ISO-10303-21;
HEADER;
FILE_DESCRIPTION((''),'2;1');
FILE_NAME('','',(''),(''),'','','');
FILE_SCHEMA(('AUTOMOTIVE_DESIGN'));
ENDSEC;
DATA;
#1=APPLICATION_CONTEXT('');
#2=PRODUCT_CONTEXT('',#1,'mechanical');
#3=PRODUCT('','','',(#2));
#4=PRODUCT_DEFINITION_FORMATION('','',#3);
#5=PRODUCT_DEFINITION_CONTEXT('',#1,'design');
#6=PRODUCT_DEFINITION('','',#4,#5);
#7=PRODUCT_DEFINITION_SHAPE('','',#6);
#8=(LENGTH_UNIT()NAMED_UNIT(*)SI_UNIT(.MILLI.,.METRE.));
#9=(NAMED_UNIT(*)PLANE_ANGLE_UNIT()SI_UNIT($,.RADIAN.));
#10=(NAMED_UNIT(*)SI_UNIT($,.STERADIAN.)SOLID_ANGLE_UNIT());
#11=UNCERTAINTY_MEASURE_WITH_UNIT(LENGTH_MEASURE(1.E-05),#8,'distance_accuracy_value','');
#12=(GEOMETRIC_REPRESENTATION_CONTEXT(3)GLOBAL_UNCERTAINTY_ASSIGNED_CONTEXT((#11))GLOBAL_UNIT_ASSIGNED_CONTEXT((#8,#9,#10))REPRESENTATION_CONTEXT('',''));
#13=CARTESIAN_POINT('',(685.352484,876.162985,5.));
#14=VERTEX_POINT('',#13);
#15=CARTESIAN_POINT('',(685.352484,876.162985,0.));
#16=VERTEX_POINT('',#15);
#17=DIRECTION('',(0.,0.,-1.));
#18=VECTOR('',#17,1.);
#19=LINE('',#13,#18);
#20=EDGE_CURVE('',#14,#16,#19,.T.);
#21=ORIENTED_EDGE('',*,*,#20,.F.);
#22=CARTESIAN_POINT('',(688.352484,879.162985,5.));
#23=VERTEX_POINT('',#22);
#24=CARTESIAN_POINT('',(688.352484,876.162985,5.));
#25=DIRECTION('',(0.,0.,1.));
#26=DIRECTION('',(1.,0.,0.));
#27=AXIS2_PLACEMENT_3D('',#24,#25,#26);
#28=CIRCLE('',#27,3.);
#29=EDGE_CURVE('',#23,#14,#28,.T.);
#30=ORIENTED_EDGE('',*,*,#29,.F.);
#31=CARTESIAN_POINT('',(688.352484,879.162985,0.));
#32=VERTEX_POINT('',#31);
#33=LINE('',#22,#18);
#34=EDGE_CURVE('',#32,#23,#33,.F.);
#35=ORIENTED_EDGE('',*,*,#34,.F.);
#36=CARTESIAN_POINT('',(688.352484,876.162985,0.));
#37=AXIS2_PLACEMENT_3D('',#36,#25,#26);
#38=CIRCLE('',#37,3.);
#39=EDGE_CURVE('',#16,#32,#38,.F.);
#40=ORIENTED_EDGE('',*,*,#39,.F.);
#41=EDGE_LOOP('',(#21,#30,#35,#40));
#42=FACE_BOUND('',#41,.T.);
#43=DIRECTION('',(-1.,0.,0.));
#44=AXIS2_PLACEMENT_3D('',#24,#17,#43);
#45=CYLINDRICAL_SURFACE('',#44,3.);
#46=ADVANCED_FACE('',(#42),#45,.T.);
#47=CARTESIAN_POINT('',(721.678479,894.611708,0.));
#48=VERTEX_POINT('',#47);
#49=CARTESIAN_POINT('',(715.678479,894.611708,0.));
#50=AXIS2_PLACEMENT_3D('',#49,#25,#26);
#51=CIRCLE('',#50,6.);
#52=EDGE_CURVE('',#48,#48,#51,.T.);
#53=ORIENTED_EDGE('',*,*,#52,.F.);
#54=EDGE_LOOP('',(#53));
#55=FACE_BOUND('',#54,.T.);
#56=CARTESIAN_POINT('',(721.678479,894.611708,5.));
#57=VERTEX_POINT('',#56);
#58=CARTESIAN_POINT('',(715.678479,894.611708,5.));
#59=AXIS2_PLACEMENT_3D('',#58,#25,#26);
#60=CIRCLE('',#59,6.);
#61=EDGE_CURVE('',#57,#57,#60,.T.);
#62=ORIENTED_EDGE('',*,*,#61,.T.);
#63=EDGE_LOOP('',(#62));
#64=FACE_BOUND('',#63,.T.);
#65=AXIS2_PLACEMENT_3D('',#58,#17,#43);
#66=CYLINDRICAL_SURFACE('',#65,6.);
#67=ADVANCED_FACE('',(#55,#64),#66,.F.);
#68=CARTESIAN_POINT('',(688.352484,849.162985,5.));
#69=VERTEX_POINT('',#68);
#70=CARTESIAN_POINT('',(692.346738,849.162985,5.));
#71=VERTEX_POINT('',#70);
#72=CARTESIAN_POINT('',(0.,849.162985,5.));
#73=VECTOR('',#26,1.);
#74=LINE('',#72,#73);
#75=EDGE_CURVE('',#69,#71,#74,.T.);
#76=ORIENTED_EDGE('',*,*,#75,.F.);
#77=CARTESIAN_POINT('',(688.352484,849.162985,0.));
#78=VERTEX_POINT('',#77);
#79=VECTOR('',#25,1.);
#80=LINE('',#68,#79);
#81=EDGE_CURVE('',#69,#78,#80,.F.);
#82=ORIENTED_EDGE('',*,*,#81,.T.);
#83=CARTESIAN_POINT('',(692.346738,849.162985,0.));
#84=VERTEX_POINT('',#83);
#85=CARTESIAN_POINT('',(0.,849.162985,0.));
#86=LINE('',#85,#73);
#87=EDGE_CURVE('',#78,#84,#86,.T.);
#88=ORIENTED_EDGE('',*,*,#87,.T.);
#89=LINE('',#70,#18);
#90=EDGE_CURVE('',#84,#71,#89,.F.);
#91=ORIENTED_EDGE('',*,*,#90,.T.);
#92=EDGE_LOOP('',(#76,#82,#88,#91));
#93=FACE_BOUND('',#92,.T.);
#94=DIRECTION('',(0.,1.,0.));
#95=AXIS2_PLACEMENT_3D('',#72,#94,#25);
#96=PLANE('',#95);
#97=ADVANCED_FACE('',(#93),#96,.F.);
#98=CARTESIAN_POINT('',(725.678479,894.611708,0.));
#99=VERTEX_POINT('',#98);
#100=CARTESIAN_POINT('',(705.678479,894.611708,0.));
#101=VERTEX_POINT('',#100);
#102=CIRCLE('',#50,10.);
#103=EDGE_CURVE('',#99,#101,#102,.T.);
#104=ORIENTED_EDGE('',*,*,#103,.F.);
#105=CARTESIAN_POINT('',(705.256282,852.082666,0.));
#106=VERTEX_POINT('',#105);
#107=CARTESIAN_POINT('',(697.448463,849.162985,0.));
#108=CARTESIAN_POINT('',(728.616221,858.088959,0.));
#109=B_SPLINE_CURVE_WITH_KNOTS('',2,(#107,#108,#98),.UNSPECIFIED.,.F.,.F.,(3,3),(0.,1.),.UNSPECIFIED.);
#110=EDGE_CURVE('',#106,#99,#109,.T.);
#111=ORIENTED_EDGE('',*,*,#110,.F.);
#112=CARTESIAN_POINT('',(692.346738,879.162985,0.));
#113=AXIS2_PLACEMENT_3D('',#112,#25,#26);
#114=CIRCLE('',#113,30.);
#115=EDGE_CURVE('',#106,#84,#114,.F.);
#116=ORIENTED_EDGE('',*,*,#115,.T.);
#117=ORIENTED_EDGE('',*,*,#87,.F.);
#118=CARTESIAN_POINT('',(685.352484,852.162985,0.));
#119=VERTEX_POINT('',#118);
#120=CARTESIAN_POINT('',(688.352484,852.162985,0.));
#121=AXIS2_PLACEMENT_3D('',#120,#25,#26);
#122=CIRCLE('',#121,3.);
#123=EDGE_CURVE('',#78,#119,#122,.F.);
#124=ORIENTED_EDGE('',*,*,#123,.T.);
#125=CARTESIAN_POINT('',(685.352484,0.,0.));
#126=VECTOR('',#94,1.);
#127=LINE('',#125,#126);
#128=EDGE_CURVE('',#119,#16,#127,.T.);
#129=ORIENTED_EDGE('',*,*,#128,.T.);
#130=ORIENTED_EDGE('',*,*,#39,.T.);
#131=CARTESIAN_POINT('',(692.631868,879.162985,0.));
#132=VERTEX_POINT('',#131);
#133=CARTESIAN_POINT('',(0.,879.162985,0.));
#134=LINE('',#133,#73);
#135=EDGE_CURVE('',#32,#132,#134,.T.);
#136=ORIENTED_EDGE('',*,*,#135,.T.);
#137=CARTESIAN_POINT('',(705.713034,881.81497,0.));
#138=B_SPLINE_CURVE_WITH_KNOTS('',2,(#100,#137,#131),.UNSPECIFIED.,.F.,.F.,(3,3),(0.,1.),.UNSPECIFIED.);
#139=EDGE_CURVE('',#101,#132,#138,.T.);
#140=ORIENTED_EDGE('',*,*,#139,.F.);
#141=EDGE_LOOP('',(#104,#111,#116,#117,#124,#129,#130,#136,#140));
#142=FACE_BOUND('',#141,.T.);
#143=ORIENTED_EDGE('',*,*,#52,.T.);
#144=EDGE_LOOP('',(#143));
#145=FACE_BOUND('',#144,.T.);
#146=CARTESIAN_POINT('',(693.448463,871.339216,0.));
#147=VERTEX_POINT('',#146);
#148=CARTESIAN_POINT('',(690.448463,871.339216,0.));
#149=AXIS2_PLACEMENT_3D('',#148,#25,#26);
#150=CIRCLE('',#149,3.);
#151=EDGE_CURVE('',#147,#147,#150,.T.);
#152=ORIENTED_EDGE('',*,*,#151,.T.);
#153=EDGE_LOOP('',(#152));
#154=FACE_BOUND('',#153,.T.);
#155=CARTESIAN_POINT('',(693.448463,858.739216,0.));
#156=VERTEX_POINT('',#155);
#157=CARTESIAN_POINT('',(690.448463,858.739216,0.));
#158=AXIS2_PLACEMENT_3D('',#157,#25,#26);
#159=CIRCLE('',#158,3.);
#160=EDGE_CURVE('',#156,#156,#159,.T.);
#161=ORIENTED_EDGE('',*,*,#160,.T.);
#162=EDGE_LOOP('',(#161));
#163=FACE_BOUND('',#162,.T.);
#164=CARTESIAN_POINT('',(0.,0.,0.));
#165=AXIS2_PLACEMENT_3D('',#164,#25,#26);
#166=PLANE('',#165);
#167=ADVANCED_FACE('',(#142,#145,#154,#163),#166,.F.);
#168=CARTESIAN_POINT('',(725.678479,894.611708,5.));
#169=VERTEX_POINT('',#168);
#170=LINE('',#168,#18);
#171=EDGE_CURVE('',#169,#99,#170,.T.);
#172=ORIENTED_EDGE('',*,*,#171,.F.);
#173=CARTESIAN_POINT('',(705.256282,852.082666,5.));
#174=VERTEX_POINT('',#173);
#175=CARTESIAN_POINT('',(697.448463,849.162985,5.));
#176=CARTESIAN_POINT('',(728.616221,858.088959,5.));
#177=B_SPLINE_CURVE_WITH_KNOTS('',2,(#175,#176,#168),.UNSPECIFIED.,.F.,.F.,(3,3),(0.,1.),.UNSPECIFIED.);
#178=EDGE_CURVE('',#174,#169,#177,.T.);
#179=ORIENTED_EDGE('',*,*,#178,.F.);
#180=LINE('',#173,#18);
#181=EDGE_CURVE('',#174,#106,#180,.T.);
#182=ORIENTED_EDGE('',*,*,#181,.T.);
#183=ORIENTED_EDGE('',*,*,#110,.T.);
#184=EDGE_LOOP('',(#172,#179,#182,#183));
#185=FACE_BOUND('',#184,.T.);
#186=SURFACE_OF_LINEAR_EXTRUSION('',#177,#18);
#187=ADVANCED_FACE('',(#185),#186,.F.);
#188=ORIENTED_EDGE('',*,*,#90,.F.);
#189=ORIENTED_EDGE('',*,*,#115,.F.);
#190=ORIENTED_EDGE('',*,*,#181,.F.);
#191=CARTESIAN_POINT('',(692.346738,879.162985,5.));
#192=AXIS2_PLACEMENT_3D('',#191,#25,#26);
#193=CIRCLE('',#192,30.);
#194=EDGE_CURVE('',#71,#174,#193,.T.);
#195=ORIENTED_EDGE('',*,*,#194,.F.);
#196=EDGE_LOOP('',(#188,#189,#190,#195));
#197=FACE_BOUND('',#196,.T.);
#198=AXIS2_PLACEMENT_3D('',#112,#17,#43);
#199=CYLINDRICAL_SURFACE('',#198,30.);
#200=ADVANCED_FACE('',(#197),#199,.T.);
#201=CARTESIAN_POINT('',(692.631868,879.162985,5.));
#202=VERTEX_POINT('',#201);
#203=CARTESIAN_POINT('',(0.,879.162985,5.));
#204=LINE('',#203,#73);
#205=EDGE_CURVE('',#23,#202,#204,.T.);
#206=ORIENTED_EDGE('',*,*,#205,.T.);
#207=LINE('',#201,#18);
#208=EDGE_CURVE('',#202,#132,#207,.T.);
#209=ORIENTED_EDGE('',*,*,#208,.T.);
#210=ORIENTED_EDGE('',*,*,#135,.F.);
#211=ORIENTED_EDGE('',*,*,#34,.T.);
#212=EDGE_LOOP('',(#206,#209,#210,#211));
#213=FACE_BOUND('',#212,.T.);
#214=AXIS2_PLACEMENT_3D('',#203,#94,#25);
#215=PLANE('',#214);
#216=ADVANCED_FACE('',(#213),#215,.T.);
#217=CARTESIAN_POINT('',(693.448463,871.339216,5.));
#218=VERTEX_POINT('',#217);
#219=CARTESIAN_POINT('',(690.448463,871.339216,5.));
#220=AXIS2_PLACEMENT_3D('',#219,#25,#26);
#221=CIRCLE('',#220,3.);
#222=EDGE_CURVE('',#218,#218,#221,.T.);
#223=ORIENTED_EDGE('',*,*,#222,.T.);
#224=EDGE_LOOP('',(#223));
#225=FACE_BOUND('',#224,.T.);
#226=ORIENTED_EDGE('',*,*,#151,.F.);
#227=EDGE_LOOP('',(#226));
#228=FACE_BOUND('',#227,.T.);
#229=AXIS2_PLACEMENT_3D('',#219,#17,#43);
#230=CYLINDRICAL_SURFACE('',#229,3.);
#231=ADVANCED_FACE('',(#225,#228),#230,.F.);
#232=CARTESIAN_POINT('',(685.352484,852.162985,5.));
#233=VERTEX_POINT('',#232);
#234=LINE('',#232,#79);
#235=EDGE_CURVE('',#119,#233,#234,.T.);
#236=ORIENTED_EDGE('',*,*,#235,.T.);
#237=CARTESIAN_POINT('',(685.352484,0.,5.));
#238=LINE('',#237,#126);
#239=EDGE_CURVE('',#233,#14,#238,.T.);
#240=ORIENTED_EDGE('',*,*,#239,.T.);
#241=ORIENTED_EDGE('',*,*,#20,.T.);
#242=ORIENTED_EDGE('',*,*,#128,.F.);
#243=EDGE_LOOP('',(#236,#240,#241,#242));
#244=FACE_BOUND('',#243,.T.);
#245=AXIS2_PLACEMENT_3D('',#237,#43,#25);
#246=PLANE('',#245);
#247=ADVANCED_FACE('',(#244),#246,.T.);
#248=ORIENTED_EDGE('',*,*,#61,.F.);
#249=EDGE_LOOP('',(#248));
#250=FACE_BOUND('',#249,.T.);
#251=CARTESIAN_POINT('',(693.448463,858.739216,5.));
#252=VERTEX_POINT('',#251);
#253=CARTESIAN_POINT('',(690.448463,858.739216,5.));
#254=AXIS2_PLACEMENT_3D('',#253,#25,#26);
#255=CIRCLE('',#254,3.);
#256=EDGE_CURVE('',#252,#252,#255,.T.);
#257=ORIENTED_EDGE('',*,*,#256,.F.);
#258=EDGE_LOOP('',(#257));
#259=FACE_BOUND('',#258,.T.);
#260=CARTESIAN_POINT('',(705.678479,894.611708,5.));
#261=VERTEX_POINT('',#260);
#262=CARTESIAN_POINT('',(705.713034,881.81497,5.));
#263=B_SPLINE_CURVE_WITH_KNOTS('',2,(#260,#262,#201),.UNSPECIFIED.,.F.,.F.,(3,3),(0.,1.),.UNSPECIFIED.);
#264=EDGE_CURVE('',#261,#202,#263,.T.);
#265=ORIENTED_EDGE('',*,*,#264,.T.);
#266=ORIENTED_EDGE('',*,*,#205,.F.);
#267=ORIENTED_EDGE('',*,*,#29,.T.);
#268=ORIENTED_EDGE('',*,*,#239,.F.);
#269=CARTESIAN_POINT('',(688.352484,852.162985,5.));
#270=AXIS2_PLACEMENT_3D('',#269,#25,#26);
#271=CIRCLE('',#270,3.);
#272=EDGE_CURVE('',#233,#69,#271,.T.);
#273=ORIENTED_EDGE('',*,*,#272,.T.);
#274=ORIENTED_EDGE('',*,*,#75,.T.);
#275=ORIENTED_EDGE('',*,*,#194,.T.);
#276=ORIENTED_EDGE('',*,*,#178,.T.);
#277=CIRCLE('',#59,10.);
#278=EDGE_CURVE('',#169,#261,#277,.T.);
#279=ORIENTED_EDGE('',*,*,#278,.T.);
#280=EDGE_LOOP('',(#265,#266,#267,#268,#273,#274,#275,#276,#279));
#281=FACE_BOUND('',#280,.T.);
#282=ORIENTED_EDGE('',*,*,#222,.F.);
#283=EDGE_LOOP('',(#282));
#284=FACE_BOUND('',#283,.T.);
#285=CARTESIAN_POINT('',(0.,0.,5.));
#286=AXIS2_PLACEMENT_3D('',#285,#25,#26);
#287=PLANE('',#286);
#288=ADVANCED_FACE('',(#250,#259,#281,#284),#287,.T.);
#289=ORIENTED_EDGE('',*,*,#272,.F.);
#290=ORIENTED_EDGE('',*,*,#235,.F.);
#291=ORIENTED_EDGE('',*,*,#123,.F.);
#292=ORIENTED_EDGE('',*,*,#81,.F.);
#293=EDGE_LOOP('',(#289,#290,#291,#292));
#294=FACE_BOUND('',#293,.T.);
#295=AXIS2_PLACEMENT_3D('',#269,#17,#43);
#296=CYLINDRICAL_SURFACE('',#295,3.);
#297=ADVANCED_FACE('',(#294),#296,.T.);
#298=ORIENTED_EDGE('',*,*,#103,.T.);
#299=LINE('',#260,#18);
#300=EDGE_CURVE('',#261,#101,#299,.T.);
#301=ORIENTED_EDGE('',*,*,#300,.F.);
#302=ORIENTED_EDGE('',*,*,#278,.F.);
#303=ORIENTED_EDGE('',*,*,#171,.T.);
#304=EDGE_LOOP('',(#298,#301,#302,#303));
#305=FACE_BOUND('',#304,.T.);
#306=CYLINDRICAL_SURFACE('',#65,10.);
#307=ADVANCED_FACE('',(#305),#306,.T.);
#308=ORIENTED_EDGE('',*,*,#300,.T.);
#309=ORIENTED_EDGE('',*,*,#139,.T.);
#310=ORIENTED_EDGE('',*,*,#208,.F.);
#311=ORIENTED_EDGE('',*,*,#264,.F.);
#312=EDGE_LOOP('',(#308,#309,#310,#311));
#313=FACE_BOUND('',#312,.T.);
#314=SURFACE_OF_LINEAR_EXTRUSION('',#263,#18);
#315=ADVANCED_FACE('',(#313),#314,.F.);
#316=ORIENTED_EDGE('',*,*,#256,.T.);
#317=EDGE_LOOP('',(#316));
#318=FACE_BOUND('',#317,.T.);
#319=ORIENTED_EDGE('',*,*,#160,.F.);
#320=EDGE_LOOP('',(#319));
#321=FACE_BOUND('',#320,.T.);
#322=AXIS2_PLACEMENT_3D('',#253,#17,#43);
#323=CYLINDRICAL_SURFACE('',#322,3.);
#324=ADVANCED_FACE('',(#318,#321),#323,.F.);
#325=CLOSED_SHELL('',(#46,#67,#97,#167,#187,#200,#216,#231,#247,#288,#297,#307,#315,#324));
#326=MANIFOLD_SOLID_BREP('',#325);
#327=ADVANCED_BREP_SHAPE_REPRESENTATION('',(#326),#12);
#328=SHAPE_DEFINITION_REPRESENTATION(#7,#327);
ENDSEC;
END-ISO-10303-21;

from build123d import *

# Parameters (mm, degrees)
SKETCH1_R           = 3
SKETCH1_R_2         = 6
BOSS_EXTRUDE1_DEPTH = 5
FILLET1_R           = 30
FILLET3_R           = 3
FILLET4_R           = 3


with BuildPart() as part:
    # Sketch1 → Boss-Extrude1 (new body)
    with BuildSketch(Plane.XY):
        with BuildLine():
            Line((685.352484273, 879.16298506), (685.352484273, 849.16298506))
            Line((685.352484273, 849.16298506), (697.448463409, 849.16298506))
            add(Edge.make_bspline(
                [(697.448463409, 849.16298506), (728.616221011, 858.08895863), (725.678478781, 894.611707807)],
                knots=[0, 0, 0, 1, 1, 1], degree=2))
            ThreePointArc((725.678478781, 894.611707807), (715.678478781, 904.611707807), (705.678478781, 894.611707807))
            ThreePointArc((705.678478781, 894.611707807), (705.67849738, 894.592421342), (705.678553175, 894.573134948))
            add(Edge.make_bspline(
                [(705.678553175, 894.573134948), (705.693307068, 881.810970257), (692.631868047, 879.16298506)],
                knots=[0.001508038, 0.001508038, 0.001508038, 1, 1, 1], degree=2))
            Line((692.631868047, 879.16298506), (685.352484273, 879.16298506))
        make_face()
        with Locations((690.448463409, 858.739216263)):
            Circle(SKETCH1_R, mode=Mode.SUBTRACT)
        with Locations((690.448463409, 871.339216263)):
            Circle(SKETCH1_R, mode=Mode.SUBTRACT)
        with Locations((715.678478781, 894.611707807)):
            Circle(SKETCH1_R_2, mode=Mode.SUBTRACT)
    extrude(amount=BOSS_EXTRUDE1_DEPTH)

    # Fillet1
    fillet1_edges = [part.edges().sort_by_distance(p)[0] for p in [
        (697.448463409, 849.16298506, 2.5),
    ]]
    fillet(fillet1_edges, radius=FILLET1_R)

    # Fillet3
    fillet3_edges = [part.edges().sort_by_distance(p)[0] for p in [
        (685.352484273, 879.16298506, 2.5),
    ]]
    fillet(fillet3_edges, radius=FILLET3_R)

    # Fillet4
    fillet4_edges = [part.edges().sort_by_distance(p)[0] for p in [
        (685.352484273, 849.16298506, 2.5),
    ]]
    fillet(fillet4_edges, radius=FILLET4_R)


solid = part.part
